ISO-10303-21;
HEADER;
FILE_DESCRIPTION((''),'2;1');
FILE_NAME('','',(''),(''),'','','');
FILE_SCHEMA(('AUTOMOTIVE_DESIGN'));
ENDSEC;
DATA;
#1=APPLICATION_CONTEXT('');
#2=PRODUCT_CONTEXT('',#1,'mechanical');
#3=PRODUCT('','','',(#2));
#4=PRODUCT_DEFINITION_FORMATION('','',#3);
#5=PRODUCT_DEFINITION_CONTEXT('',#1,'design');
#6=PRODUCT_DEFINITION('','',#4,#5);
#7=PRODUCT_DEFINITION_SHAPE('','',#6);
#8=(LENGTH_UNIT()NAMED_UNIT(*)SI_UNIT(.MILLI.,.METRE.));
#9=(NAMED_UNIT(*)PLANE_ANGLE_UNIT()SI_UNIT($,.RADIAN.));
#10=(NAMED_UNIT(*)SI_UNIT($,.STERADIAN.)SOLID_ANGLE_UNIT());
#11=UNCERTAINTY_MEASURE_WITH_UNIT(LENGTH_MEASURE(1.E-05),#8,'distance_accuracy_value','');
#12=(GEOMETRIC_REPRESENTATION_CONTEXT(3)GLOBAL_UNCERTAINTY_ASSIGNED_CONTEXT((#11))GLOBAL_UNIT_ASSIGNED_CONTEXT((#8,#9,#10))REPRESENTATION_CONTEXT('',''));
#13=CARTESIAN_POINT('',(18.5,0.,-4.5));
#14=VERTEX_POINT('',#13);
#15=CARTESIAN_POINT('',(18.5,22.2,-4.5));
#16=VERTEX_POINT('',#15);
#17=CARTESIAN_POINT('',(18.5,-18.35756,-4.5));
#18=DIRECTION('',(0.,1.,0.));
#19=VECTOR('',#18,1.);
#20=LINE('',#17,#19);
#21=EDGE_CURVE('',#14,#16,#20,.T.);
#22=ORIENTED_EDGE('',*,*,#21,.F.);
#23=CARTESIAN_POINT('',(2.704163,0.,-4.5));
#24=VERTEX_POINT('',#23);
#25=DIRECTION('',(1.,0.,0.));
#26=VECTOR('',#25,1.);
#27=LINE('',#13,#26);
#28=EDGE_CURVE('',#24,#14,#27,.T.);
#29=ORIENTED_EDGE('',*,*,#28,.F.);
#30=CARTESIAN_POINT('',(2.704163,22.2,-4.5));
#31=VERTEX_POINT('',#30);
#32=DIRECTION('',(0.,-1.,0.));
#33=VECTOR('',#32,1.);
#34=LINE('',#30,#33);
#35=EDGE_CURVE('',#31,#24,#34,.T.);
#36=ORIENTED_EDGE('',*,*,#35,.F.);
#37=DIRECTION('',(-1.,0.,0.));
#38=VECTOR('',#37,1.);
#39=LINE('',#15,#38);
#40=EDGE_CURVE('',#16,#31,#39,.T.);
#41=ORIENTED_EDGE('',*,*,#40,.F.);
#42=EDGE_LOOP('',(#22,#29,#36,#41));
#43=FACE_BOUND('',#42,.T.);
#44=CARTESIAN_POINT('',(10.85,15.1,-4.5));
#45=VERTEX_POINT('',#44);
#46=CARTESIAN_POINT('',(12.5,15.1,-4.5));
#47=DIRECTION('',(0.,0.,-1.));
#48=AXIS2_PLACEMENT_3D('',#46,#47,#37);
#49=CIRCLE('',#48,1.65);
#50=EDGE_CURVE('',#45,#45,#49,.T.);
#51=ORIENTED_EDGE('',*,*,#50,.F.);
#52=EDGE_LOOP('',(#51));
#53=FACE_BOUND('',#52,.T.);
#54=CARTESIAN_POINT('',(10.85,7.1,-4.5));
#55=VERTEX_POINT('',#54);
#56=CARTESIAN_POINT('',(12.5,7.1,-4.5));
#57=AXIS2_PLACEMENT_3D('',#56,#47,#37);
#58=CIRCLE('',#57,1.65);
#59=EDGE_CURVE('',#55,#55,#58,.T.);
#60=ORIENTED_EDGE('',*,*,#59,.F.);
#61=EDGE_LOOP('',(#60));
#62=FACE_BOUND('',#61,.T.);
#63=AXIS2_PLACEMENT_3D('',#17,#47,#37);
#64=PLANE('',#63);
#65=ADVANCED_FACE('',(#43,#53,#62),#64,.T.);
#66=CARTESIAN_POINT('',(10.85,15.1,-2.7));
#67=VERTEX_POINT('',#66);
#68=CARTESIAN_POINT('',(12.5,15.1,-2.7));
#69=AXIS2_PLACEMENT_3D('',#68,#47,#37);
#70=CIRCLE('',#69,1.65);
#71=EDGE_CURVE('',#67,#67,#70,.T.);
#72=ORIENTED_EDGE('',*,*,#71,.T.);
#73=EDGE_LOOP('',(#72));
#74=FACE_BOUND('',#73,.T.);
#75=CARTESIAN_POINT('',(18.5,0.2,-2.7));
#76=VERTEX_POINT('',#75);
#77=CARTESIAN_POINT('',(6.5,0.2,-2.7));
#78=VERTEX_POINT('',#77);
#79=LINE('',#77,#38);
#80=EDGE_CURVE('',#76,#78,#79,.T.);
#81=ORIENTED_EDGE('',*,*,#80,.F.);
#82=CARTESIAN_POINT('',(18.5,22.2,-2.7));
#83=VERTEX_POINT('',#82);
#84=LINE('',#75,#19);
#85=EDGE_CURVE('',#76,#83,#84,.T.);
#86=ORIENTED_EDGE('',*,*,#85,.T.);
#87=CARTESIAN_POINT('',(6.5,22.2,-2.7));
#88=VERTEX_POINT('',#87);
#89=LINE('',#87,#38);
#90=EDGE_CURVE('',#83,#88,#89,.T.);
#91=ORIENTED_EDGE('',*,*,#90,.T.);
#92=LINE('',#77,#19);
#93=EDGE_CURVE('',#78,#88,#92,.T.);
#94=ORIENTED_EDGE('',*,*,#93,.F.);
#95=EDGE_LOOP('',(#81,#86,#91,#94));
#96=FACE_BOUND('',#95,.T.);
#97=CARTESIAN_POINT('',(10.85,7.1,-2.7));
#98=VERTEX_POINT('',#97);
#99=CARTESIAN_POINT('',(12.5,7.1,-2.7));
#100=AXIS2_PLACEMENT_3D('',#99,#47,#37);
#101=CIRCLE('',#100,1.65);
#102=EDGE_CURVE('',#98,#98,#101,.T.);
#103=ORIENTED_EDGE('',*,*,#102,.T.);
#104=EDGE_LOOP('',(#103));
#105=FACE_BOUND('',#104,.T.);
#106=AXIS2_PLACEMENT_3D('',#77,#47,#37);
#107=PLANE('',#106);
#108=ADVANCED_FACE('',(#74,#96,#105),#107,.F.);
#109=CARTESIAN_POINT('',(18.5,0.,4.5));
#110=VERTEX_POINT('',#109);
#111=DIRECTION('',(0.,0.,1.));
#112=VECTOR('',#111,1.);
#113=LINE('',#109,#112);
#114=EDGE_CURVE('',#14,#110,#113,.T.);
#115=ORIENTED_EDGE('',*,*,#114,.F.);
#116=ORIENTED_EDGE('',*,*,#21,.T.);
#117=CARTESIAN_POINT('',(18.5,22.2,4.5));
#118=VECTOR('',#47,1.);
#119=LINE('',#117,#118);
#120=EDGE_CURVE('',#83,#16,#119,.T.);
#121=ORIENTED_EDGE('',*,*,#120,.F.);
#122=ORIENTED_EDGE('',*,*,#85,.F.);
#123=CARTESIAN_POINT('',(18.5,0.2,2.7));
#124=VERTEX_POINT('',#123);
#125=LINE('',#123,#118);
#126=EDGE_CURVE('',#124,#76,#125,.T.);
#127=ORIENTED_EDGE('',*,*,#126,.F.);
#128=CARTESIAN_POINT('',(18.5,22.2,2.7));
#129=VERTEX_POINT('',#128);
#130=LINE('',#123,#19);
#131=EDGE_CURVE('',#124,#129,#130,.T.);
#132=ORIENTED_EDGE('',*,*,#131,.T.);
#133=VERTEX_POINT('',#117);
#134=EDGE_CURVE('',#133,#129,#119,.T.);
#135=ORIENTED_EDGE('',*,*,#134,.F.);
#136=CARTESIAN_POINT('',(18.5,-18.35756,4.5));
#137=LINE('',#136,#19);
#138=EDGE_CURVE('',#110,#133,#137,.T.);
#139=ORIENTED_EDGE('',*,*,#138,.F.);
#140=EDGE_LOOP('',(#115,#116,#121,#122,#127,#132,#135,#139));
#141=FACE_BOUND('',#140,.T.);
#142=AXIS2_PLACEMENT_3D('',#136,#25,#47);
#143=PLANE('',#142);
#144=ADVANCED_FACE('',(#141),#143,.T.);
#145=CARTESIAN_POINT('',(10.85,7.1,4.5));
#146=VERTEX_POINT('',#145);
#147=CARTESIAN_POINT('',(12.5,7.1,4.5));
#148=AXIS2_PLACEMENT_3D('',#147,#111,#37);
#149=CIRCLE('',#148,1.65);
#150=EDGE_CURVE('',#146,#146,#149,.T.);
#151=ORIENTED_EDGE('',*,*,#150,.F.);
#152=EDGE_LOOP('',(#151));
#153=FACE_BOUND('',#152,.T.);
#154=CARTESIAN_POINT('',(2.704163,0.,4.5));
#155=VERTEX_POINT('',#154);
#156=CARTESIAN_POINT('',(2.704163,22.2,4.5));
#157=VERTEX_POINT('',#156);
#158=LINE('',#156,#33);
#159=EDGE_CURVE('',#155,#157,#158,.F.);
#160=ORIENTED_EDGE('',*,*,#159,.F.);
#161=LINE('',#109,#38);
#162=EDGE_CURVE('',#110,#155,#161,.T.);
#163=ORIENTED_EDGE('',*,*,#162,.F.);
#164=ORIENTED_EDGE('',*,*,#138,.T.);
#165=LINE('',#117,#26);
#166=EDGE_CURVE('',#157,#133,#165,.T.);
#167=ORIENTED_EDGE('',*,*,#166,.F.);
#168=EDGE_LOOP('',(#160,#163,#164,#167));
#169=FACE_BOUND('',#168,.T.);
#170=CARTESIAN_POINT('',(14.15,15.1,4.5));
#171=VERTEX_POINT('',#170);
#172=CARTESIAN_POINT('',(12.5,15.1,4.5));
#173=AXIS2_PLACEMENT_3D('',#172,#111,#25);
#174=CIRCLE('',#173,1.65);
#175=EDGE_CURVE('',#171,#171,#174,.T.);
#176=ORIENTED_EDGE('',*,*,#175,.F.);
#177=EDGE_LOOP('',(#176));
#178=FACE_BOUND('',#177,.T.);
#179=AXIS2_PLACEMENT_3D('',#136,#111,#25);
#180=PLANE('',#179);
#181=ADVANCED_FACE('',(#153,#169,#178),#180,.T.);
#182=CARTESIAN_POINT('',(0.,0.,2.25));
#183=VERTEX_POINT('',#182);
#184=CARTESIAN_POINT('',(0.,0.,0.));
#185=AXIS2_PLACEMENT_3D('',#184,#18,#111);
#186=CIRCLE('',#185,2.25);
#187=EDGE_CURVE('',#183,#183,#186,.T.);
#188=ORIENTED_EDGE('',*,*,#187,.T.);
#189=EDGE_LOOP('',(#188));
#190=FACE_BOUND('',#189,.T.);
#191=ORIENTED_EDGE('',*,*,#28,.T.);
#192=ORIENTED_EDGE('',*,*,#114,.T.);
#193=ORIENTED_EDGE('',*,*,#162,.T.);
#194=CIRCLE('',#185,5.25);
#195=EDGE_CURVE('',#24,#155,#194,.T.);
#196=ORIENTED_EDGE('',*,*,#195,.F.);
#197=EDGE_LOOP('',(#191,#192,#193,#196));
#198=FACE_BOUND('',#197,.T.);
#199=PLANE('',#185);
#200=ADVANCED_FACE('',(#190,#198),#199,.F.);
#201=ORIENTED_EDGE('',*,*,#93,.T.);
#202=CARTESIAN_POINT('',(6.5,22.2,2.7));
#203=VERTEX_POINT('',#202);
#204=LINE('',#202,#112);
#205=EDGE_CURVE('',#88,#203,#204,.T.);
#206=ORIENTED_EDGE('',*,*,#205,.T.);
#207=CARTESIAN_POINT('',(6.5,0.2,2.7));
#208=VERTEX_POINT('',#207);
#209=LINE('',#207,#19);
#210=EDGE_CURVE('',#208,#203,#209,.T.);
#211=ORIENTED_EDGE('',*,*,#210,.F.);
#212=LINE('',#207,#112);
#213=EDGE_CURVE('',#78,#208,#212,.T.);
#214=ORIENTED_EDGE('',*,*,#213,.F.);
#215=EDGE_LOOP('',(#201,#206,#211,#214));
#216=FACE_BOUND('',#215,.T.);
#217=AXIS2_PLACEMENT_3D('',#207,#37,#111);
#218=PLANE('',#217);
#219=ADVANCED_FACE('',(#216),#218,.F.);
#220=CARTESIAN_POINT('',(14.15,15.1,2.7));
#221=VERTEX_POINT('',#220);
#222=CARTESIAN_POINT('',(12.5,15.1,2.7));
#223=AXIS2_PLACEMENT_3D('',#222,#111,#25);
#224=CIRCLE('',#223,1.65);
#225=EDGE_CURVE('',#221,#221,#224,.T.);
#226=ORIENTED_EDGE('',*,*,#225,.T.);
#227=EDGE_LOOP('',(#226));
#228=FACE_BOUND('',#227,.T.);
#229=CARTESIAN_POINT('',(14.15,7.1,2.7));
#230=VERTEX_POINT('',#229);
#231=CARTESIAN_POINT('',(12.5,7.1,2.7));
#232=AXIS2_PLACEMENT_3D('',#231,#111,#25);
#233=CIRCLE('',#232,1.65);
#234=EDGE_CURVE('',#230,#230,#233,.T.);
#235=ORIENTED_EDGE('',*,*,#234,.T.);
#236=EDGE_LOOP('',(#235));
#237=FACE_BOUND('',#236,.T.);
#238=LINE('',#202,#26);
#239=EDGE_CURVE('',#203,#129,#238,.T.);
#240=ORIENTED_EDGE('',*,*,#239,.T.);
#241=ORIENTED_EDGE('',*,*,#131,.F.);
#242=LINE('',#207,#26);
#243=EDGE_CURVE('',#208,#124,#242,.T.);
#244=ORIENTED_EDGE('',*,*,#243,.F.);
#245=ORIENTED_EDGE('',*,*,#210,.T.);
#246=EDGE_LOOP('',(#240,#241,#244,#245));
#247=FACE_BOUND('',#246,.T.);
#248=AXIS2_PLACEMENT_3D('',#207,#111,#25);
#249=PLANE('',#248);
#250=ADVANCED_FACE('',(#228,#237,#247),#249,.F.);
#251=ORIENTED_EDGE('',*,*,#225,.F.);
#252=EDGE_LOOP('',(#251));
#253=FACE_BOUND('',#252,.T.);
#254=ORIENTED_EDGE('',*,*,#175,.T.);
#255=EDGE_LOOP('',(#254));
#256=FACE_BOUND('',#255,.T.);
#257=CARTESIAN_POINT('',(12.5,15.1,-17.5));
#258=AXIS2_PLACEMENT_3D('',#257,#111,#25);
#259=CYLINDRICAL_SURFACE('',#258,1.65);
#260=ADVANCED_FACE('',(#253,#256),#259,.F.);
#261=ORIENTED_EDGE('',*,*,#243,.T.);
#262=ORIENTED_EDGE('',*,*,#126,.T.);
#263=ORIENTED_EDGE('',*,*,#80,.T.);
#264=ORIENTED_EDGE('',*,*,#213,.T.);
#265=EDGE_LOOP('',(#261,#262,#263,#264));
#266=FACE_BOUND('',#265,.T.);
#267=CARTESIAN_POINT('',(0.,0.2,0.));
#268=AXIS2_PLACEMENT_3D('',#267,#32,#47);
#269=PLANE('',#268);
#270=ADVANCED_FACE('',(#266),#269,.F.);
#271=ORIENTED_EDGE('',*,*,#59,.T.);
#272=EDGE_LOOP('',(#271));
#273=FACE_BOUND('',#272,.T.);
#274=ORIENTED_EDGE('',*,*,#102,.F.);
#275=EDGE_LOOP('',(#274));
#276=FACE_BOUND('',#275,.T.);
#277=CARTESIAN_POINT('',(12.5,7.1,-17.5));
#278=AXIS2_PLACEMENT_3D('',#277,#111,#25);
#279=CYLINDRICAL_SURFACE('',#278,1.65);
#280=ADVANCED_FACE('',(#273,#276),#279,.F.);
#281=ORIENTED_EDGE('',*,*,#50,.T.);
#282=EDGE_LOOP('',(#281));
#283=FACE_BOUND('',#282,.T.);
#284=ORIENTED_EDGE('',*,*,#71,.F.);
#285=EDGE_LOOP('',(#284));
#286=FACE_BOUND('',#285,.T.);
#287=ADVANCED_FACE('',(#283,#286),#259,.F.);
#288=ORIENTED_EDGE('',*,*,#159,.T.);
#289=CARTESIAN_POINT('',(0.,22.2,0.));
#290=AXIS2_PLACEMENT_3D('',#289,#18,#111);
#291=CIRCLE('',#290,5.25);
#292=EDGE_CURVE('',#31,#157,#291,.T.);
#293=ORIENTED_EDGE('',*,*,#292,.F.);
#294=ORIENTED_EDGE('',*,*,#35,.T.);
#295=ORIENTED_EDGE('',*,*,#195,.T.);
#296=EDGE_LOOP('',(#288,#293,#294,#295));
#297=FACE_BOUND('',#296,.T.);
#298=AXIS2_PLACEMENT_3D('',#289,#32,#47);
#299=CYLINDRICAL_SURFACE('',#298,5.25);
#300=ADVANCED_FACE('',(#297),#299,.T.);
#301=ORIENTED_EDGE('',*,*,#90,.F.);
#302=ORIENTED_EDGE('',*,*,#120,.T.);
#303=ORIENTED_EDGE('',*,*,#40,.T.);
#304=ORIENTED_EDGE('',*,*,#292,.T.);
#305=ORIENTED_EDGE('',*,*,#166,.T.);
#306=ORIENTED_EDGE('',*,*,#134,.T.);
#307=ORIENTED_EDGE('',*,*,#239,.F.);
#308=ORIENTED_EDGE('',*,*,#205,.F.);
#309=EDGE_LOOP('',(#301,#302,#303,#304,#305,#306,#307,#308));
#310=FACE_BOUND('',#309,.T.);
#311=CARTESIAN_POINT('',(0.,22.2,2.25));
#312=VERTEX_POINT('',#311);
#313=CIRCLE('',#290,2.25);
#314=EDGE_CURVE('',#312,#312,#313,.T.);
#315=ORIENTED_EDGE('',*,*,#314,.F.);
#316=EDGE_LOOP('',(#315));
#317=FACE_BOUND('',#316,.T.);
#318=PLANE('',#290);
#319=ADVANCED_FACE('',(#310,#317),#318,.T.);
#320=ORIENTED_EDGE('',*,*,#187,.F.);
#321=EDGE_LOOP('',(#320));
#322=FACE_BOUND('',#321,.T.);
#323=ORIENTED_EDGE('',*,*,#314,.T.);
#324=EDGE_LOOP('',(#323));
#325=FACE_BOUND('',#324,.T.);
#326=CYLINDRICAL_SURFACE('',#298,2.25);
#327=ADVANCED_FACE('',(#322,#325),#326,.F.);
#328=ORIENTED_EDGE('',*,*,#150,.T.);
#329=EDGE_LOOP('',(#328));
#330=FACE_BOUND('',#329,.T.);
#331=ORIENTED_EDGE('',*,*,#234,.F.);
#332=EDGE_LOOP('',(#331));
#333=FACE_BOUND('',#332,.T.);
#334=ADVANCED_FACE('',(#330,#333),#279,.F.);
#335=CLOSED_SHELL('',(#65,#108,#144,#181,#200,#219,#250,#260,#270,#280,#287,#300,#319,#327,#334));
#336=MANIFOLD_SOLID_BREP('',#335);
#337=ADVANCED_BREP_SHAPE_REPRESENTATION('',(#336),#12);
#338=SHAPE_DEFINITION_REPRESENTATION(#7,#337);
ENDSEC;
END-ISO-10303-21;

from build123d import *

# Parameters (mm, degrees)
SKETCH_1_R          = 5.25
SKETCH_1_R_2        = 2.25
EXTRUDE_1_DEPTH     = 22.2
SKETCH_2_W          = 16
SKETCH_2_H          = 9
EXTRUDE_2_DEPTH     = 22.2
SKETCH_3_W          = 12
SKETCH_3_H          = 5.4
CUT_EXTRUDE_1_DEPTH = 22
SKETCH_4_R          = 1.65
CUT_EXTRUDE_2_DEPTH = 22


with BuildPart() as part:
    # 草图1 → 凸台-拉伸1 (new body)
    with BuildSketch(Plane(origin=(0, 0, 0), x_dir=(1, 0, 0), z_dir=(0, 1, 0))):
        with Locations(Location((0, 0, 0), (0, 0, 270))):
            Circle(SKETCH_1_R)
        with Locations(Location((0, 0, 0), (0, 0, 270))):
            Circle(SKETCH_1_R_2, mode=Mode.SUBTRACT)
    extrude(amount=EXTRUDE_1_DEPTH)

    # 草图2 → 凸台-拉伸2 (add)
    with BuildSketch(Plane(origin=(0, 22.2, 0), x_dir=(1, 0, 0), z_dir=(0, 1, 0))):
        with Locations((10.5, 0)):
            Rectangle(SKETCH_2_W, SKETCH_2_H)
    extrude(amount=-EXTRUDE_2_DEPTH)

    # 草图3 → 切除-拉伸1 (cut)
    with BuildSketch(Plane(origin=(0, 22.2, 0), x_dir=(1, 0, 0), z_dir=(0, 1, 0))):
        with Locations((12.5, 0)):
            Rectangle(SKETCH_3_W, SKETCH_3_H)
    extrude(amount=-CUT_EXTRUDE_1_DEPTH, mode=Mode.SUBTRACT)

    # 草图4 → 切除-拉伸2 (cut)
    with BuildSketch(Plane.XY.offset(4.5)):
        with Locations(Location((12.5, 15.1, 0), (0, 0, 180))):
            Circle(SKETCH_4_R)
        with Locations(Location((12.5, 7.1, 0), (0, 0, 180))):
            Circle(SKETCH_4_R)
    extrude(amount=-CUT_EXTRUDE_2_DEPTH, mode=Mode.SUBTRACT)


solid = part.part
